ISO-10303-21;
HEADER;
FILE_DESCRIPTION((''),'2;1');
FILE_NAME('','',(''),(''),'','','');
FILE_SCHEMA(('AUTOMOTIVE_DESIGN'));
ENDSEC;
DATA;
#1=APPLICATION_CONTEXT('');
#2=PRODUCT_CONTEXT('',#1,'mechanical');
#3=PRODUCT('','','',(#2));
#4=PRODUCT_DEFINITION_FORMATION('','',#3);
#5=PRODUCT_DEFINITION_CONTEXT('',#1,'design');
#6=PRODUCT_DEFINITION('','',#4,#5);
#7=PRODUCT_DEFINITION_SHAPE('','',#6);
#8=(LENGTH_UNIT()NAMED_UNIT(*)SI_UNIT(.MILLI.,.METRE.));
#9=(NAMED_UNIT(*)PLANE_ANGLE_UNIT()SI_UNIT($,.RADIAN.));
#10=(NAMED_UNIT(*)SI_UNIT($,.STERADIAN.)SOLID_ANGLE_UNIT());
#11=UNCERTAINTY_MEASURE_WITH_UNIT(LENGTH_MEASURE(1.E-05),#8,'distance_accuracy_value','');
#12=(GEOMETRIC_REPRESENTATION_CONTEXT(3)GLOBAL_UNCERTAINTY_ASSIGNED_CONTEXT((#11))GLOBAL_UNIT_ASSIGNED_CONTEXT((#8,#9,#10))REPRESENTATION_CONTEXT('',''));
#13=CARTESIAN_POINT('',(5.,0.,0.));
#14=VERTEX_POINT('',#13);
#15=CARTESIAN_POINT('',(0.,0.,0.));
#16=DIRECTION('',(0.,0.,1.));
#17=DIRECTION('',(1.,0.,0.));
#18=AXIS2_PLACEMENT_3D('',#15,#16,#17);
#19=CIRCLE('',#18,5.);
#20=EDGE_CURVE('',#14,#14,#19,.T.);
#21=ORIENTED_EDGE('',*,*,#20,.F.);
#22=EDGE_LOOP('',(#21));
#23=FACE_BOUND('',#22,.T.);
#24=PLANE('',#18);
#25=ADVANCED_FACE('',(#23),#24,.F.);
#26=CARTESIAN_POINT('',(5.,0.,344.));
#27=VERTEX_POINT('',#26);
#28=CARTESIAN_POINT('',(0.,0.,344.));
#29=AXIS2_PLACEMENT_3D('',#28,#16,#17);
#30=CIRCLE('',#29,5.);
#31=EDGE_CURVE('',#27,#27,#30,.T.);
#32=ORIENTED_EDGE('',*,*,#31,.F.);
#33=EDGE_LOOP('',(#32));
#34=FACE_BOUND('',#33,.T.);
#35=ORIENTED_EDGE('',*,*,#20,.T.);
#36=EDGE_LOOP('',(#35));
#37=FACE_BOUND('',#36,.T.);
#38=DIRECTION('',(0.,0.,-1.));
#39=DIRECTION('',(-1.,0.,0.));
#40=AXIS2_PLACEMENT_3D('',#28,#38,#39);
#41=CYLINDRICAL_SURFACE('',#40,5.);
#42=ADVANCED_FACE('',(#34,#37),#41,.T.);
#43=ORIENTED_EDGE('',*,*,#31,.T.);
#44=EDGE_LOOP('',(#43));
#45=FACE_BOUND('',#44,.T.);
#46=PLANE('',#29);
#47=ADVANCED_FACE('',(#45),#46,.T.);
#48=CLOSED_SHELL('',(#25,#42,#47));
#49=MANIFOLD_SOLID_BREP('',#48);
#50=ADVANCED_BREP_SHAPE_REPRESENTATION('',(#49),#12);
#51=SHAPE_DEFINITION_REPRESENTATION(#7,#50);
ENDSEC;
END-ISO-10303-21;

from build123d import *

# Parameters (mm, degrees)
SKETCH1_R           = 5
BOSS_EXTRUDE1_DEPTH = 344


with BuildPart() as part:
    # Sketch1 → Boss-Extrude1 (new body)
    with BuildSketch(Plane.XY):
        Circle(SKETCH1_R)
    extrude(amount=BOSS_EXTRUDE1_DEPTH)


solid = part.part
